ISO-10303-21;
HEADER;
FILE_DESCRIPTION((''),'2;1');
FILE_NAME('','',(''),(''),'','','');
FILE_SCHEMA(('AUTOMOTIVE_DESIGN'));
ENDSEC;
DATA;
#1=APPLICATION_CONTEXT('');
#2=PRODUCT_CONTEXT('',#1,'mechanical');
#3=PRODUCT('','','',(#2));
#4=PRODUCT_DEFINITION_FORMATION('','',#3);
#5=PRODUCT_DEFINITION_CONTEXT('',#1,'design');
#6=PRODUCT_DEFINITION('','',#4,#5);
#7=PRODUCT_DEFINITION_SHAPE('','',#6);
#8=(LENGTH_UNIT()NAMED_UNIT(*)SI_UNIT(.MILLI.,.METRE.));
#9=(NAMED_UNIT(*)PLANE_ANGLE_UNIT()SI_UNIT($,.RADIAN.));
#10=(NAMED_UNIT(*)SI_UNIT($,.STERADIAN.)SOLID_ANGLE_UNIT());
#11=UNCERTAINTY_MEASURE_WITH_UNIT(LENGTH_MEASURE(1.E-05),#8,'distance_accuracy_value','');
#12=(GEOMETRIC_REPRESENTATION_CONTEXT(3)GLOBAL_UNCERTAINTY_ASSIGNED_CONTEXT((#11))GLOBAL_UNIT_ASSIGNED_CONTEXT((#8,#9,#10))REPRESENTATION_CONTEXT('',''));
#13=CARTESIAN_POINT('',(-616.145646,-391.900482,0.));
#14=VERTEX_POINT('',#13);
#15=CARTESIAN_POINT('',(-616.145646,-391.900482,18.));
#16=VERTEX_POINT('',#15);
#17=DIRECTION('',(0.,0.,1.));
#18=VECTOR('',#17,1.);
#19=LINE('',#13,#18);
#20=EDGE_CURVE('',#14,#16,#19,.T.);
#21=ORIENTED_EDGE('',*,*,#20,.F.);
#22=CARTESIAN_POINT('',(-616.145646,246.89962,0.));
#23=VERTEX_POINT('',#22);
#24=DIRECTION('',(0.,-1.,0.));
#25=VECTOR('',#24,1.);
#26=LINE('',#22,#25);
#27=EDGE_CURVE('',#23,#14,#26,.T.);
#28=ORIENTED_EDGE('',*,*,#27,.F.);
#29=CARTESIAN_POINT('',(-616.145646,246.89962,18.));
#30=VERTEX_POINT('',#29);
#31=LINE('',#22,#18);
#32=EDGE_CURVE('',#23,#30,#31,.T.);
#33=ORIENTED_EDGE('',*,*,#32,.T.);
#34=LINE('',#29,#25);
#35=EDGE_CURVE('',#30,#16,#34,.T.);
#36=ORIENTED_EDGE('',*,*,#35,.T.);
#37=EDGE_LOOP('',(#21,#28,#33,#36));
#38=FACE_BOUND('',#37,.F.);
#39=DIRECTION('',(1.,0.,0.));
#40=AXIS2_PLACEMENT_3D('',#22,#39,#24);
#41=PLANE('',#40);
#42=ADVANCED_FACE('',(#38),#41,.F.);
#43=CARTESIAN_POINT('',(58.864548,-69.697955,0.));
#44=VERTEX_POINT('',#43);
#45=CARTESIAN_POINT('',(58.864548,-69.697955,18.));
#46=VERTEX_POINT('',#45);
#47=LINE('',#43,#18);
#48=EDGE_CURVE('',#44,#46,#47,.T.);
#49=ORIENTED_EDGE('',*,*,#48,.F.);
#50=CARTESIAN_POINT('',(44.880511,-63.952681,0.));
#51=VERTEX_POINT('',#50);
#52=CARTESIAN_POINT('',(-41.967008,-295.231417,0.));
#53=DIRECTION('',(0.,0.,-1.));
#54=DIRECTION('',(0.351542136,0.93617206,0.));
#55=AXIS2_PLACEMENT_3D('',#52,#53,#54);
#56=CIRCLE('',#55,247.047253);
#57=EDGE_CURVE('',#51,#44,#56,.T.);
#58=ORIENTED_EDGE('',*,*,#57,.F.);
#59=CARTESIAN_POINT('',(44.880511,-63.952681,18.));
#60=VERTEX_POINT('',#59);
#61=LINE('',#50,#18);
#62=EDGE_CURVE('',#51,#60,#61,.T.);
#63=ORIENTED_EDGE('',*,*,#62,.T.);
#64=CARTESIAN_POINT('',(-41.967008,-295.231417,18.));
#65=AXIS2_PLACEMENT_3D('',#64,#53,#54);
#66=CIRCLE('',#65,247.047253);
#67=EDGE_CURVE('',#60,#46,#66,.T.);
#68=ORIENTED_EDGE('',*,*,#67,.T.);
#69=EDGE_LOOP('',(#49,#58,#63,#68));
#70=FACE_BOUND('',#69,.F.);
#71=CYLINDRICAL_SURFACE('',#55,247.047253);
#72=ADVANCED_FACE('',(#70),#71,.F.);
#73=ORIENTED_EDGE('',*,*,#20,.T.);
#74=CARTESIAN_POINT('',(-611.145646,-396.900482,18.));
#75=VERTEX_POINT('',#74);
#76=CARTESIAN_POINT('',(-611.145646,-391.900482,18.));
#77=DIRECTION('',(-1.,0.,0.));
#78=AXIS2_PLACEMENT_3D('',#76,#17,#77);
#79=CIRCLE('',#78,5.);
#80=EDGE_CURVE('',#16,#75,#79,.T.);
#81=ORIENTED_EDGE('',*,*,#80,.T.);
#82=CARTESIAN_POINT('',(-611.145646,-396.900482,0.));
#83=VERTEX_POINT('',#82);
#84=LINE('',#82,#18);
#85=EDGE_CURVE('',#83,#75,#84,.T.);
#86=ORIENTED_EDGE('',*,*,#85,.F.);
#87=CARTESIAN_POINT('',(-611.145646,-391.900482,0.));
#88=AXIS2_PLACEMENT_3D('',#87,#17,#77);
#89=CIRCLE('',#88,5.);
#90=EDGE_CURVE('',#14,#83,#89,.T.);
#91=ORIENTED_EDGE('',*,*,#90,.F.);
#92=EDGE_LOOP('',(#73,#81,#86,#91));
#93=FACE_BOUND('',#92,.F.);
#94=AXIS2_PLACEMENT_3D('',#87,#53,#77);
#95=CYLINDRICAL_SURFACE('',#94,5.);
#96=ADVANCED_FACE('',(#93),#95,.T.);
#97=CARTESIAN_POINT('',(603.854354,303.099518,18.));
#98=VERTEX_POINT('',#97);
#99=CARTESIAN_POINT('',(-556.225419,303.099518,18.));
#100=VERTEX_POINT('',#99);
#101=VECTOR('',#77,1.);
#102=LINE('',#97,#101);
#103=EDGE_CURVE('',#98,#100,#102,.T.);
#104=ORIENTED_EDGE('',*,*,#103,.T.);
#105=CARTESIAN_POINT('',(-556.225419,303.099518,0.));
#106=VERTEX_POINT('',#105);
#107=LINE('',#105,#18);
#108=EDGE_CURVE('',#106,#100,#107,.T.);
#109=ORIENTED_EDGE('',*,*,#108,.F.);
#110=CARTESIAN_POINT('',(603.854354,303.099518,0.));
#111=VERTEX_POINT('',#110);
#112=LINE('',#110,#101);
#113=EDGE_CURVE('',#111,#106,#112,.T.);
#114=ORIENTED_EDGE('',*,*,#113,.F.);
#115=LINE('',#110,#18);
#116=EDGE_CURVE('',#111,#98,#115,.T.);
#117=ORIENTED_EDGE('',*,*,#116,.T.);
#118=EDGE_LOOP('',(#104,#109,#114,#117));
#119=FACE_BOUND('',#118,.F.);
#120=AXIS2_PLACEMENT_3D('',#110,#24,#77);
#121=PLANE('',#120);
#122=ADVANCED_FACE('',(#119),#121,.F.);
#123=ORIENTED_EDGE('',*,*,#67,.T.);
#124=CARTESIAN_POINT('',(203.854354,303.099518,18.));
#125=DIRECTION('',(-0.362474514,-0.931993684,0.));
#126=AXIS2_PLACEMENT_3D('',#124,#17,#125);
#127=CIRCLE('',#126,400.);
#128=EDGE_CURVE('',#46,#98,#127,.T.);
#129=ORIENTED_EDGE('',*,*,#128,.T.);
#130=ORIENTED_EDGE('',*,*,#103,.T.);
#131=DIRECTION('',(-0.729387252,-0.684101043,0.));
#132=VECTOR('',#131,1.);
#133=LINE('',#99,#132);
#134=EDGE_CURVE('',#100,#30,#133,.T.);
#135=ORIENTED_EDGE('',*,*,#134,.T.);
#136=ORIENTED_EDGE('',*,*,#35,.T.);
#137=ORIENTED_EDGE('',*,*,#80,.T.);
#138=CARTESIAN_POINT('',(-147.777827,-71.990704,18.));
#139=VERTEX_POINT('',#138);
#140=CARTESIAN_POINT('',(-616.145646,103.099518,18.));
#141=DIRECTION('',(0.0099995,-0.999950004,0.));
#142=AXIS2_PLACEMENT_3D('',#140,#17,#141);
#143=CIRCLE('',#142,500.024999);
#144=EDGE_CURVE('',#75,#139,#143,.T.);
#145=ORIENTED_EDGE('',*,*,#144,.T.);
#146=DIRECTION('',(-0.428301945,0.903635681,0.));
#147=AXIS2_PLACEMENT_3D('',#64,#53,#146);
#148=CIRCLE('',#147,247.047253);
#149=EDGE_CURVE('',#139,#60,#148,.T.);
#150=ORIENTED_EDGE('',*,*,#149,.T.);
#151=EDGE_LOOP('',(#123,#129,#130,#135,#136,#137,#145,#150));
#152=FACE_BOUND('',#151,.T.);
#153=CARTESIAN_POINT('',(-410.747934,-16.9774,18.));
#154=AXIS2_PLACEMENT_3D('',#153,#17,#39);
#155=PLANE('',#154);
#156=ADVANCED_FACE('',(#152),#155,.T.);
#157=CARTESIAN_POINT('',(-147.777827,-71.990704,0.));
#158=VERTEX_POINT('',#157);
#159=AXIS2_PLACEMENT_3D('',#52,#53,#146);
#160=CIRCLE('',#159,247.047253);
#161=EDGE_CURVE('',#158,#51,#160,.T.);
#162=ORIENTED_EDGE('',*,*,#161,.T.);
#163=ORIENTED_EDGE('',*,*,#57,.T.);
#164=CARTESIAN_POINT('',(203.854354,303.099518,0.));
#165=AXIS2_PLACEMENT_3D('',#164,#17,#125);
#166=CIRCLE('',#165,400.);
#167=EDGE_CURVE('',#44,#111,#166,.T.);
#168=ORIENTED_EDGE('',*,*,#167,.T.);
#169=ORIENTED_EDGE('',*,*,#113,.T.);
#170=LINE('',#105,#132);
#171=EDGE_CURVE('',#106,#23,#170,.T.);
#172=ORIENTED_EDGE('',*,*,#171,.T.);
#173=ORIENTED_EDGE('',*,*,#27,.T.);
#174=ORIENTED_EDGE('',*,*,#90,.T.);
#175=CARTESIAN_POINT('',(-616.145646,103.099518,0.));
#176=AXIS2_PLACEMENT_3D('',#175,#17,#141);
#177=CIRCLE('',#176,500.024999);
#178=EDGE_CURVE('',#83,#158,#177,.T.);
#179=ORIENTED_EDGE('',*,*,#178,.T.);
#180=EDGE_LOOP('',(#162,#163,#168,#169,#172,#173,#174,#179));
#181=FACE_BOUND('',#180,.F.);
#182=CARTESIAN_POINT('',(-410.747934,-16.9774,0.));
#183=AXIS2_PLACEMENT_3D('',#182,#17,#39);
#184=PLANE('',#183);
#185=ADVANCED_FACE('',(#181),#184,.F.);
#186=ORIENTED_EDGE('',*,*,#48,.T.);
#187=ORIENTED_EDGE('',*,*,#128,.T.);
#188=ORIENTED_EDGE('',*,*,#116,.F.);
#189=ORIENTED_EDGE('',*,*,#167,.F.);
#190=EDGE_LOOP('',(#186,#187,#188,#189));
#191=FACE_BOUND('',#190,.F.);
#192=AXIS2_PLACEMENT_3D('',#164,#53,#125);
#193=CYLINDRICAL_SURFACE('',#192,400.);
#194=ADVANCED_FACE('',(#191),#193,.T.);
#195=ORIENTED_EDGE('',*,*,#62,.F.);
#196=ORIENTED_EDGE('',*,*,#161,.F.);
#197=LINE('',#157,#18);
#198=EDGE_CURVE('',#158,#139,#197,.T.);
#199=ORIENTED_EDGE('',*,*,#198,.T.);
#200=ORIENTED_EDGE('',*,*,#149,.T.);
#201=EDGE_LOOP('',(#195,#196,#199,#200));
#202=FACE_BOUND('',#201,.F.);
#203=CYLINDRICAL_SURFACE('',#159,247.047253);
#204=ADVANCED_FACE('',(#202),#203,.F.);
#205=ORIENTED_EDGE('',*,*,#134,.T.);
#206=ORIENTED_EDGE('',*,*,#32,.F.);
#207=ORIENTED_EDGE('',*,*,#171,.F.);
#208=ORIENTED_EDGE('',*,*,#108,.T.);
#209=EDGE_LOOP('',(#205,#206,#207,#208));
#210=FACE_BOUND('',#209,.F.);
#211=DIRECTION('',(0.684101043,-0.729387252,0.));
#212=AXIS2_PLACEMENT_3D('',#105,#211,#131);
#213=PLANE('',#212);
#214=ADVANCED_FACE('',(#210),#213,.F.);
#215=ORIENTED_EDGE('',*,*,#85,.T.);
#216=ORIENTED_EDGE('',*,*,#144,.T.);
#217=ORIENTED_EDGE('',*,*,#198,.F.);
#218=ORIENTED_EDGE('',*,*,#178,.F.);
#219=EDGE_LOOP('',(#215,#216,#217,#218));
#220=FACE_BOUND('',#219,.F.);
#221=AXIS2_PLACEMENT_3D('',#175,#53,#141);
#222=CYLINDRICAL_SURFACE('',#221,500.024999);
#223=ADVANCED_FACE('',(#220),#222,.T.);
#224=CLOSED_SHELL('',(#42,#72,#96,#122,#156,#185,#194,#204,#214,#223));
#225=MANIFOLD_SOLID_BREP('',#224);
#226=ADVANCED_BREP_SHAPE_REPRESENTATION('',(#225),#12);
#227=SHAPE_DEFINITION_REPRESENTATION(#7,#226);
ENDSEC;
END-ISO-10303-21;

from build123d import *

# Parameters (mm, degrees)
F1_DEPTH = 18


with BuildPart() as f1:
    # F0 (on Top) → F1 (new body)
    with BuildSketch(Plane.XY):
        with BuildLine():
            Line((-196.1456458643, 303.0995183934), (-556.2254190445, 303.0995183934))
            Line((-556.2254190445, 303.0995183934), (-616.1456458643, 246.8996196985))
            Line((-616.1456458643, 246.8996196985), (-616.1456458643, -391.9004816066))
            ThreePointArc((-616.1456458643, -391.9004816066), (-614.6811797702, -395.4360155125), (-611.1456458643, -396.9004816066))
            ThreePointArc((-611.1456458643, -396.9004816066), (-329.0727216352, -306.3075359847), (-147.7778268918, -71.9907044945))
            ThreePointArc((-147.7778268918, -71.9907044945), (-127.8465344688, -4.5525963575), (-117.573135126, 65.0147243663))
            ThreePointArc((-117.573135126, 65.0147243663), (-175.9949552652, 177.7420210203), (-196.1456458643, 303.0995183934))
        make_face()
        with BuildLine():
            Line((-157.8607999442, 303.0995183934), (-196.1456458643, 303.0995183934))
            ThreePointArc((-196.1456458643, 303.0995183934), (-175.9949552652, 177.7420210203), (-117.573135126, 65.0147243663))
            ThreePointArc((-117.573135126, 65.0147243663), (-116.4839005954, 84.0432775566), (-116.1206464893, 103.0995183934))
            ThreePointArc((-116.1206464893, 103.0995183934), (-126.6669028147, 205.2541076325), (-157.8607999442, 303.0995183934))
        make_face()
        with BuildLine():
            ThreePointArc((44.8805112638, -63.9526812765), (-44.8513110762, -10.1822909915), (-117.573135126, 65.0147243663))
            ThreePointArc((-117.573135126, 65.0147243663), (-127.8465344688, -4.5525963575), (-147.7778268918, -71.9907044945))
            ThreePointArc((-147.7778268918, -71.9907044945), (-52.2652669364, -48.3989008983), (44.8805112638, -63.9526812765))
        make_face()
        with BuildLine():
            Line((603.8543541357, 303.0995183934), (-157.8607999442, 303.0995183934))
            ThreePointArc((-157.8607999442, 303.0995183934), (-126.6669028147, 205.2541076325), (-116.1206464893, 103.0995183934))
            ThreePointArc((-116.1206464893, 103.0995183934), (-116.4839005954, 84.0432775566), (-117.573135126, 65.0147243663))
            ThreePointArc((-117.573135126, 65.0147243663), (-44.8513110762, -10.1822909915), (44.8805112638, -63.9526812765))
            ThreePointArc((44.8805112638, -63.9526812765), (51.9164884797, -66.7183226393), (58.8645484837, -69.6979551187))
            ThreePointArc((58.8645484837, -69.6979551187), (429.6906640365, -27.0488741975), (603.8543541357, 303.0995183934))
        make_face()
    extrude(amount=F1_DEPTH)


solid = f1.part
